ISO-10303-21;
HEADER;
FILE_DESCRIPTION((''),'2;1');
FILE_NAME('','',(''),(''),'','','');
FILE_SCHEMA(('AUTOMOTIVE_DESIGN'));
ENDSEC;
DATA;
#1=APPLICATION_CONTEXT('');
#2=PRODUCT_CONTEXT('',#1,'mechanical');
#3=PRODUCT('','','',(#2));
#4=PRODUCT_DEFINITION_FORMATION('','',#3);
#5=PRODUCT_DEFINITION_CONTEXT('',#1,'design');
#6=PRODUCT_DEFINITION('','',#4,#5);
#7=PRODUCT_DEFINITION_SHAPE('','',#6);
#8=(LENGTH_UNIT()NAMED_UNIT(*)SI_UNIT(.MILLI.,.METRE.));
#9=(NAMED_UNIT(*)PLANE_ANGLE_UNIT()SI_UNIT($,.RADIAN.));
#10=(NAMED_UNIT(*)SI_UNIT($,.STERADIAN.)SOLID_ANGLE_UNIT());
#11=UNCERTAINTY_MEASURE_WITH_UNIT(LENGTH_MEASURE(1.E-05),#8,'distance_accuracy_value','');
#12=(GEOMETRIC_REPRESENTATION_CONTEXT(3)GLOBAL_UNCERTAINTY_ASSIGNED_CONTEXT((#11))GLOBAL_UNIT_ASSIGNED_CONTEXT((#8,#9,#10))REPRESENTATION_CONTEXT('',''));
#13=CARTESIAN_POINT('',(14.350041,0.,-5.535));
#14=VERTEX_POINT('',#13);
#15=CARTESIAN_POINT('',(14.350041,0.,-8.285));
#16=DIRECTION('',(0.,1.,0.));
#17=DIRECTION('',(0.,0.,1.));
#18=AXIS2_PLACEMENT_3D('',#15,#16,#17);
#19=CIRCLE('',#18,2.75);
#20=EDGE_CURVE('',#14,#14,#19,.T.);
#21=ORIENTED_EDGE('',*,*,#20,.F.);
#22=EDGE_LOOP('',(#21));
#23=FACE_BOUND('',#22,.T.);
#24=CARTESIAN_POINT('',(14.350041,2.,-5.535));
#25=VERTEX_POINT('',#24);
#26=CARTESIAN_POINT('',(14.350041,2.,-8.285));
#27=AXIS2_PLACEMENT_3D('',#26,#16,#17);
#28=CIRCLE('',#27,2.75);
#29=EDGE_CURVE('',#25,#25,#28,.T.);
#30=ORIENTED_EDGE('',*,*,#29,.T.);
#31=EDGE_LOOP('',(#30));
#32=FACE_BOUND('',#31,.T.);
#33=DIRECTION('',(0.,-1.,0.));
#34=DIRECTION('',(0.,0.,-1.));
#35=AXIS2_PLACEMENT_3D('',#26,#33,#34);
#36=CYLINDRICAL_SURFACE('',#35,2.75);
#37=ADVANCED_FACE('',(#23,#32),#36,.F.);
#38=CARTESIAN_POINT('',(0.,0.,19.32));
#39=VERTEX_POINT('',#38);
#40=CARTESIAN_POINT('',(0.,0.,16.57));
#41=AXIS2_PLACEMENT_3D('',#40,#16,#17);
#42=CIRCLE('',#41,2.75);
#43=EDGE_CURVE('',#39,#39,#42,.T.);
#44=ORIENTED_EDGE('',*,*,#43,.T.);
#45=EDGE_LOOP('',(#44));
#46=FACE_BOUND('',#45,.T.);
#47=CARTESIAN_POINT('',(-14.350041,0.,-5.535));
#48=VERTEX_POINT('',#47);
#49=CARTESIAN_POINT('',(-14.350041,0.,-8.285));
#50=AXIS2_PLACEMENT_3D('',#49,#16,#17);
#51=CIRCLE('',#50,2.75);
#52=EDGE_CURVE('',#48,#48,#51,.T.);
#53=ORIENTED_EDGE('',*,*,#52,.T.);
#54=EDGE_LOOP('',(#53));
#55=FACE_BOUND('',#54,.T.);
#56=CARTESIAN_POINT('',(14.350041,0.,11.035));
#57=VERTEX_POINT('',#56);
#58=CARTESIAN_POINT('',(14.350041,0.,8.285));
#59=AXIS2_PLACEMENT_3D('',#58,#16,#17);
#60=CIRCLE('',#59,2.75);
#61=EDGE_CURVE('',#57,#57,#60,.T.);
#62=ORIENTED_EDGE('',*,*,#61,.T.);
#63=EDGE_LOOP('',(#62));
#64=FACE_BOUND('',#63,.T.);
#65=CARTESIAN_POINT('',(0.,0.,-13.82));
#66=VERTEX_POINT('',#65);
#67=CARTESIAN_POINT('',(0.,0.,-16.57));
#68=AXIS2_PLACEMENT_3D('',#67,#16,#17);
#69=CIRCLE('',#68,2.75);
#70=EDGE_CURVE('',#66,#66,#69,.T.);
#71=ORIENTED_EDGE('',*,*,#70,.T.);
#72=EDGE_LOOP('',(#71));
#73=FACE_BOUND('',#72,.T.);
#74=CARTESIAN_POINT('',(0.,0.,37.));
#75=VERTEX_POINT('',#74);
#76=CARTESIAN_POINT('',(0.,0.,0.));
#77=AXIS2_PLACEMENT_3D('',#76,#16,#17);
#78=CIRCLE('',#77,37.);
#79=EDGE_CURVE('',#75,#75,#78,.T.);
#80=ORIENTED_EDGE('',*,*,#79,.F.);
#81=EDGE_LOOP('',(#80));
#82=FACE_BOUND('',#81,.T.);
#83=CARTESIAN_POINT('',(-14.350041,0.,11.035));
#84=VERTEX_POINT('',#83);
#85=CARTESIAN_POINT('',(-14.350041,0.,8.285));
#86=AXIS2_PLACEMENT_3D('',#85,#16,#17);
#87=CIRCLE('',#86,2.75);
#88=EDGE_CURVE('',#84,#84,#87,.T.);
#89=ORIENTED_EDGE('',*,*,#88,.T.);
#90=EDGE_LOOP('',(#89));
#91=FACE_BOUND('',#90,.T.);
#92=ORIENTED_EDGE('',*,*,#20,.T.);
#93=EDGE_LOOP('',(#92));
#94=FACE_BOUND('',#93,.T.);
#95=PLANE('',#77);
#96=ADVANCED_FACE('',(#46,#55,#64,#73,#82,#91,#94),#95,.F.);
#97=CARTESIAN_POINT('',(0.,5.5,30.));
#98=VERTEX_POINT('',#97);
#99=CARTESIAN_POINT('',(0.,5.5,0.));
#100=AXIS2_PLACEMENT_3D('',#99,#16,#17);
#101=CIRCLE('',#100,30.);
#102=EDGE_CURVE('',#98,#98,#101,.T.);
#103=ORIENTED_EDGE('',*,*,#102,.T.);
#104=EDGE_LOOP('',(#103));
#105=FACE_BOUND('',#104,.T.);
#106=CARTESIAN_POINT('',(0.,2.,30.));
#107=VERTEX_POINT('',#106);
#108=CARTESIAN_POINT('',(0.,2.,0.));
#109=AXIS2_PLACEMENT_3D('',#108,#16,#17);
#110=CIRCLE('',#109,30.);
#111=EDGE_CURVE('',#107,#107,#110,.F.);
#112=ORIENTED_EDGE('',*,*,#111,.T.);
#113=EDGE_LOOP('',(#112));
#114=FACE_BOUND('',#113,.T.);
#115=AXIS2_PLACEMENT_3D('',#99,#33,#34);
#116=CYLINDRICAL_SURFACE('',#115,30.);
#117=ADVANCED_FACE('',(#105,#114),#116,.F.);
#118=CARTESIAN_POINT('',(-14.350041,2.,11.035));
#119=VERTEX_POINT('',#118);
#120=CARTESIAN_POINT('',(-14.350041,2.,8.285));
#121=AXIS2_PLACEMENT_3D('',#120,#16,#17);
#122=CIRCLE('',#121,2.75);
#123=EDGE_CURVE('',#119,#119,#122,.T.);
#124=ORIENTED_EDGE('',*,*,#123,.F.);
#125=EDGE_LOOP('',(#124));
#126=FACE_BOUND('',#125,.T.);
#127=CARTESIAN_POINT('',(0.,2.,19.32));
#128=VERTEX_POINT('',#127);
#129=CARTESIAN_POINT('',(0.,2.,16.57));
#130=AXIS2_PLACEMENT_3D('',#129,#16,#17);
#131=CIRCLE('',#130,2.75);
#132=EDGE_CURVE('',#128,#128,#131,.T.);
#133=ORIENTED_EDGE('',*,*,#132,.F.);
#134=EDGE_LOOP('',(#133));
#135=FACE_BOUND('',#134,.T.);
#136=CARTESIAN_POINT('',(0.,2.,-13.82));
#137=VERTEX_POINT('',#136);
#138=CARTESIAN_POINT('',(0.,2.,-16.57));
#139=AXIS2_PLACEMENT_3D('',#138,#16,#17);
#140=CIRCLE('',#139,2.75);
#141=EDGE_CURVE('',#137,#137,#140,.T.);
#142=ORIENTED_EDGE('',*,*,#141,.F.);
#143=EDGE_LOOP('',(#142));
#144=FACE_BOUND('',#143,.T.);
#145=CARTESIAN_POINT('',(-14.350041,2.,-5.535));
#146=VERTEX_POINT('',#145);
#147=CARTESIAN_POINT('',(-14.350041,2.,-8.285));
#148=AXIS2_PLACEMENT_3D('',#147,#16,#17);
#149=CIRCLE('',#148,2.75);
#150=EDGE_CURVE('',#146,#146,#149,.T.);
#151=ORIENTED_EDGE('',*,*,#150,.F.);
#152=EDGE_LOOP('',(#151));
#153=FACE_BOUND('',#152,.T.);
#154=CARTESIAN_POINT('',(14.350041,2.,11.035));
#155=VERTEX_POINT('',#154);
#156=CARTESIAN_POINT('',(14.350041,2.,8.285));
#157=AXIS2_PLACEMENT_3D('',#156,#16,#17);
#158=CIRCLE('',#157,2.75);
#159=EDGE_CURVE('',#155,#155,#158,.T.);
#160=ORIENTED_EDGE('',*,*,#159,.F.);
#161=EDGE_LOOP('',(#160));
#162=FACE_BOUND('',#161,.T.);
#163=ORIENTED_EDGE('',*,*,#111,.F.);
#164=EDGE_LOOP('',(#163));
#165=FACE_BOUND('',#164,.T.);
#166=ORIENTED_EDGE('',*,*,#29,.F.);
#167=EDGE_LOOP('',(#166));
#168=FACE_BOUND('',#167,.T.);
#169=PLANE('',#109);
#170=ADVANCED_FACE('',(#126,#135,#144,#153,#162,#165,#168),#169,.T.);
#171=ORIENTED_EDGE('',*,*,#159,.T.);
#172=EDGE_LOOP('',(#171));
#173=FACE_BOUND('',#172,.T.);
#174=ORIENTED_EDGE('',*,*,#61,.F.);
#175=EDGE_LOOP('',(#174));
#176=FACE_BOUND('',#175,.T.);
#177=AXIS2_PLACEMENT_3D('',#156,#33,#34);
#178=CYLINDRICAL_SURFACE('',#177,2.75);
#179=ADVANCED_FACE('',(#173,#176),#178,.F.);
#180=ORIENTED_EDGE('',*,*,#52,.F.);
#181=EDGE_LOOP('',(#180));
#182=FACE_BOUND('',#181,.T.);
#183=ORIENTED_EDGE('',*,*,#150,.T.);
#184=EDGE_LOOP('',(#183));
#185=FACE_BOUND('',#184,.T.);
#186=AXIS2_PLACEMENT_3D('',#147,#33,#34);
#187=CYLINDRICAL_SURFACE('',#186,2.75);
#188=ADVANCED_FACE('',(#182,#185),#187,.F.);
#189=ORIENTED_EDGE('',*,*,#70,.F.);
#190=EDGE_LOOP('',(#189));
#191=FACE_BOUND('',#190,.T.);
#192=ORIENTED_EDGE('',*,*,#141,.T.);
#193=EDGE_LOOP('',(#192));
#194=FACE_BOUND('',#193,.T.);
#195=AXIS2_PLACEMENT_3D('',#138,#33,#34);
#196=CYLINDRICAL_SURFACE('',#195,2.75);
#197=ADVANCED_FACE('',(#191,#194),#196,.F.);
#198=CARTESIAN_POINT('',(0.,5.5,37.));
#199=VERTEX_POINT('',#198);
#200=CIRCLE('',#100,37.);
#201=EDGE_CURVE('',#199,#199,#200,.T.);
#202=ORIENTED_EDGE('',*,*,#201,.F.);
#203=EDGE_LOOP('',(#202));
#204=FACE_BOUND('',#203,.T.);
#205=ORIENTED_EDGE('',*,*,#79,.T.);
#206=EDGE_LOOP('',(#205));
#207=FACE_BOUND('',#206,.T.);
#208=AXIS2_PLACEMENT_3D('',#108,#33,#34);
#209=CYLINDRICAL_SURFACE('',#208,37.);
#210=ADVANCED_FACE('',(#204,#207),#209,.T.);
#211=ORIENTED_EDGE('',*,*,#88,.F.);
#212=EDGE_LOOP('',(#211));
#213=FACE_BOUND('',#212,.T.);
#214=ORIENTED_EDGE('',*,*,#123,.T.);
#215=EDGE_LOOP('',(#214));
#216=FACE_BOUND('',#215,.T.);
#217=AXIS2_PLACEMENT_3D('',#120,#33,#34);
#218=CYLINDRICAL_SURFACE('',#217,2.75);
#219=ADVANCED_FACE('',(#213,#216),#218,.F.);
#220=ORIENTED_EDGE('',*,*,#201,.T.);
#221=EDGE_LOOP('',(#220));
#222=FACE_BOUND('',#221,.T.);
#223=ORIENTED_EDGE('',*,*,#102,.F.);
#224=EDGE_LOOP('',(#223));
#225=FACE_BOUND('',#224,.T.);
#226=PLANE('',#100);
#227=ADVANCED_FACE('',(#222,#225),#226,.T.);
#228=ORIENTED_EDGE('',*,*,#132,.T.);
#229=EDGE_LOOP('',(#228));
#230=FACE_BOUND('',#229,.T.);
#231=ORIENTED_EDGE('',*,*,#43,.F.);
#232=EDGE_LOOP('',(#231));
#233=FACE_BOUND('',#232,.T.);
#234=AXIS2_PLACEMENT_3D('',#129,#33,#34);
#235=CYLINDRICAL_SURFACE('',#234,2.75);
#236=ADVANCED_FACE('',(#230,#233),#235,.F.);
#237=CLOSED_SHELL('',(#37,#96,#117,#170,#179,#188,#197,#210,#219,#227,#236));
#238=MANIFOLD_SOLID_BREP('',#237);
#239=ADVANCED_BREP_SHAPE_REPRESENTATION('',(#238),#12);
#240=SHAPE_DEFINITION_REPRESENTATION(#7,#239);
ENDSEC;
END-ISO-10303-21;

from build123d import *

# Parameters (mm, degrees)
SKETCH1_R           = 37
SKETCH1_R_2         = 2.75
BOSS_EXTRUDE1_DEPTH = 2
SKETCH2_R           = 37
SKETCH2_R_2         = 30
BOSS_EXTRUDE2_DEPTH = 3.5


with BuildPart() as part:
    # Sketch1 → Boss-Extrude1 (new body)
    with BuildSketch(Plane(origin=(0, 0, 0), x_dir=(1, 0, 0), z_dir=(0, 1, 0))):
        Circle(SKETCH1_R)
        with Locations((0, 16.57)):
            Circle(SKETCH1_R_2, mode=Mode.SUBTRACT)
        with Locations((-14.350040941, 8.285)):
            Circle(SKETCH1_R_2, mode=Mode.SUBTRACT)
        with Locations((-14.350040941, -8.285)):
            Circle(SKETCH1_R_2, mode=Mode.SUBTRACT)
        with Locations((0, -16.57)):
            Circle(SKETCH1_R_2, mode=Mode.SUBTRACT)
        with Locations((14.350040941, -8.285)):
            Circle(SKETCH1_R_2, mode=Mode.SUBTRACT)
        with Locations((14.350040941, 8.285)):
            Circle(SKETCH1_R_2, mode=Mode.SUBTRACT)
    extrude(amount=BOSS_EXTRUDE1_DEPTH)

    # Sketch2 → Boss-Extrude2 (add)
    with BuildSketch(Plane(origin=(0, 2, 0), x_dir=(1, 0, 0), z_dir=(0, 1, 0))):
        Circle(SKETCH2_R)
        Circle(SKETCH2_R_2, mode=Mode.SUBTRACT)
    extrude(amount=BOSS_EXTRUDE2_DEPTH)


solid = part.part
